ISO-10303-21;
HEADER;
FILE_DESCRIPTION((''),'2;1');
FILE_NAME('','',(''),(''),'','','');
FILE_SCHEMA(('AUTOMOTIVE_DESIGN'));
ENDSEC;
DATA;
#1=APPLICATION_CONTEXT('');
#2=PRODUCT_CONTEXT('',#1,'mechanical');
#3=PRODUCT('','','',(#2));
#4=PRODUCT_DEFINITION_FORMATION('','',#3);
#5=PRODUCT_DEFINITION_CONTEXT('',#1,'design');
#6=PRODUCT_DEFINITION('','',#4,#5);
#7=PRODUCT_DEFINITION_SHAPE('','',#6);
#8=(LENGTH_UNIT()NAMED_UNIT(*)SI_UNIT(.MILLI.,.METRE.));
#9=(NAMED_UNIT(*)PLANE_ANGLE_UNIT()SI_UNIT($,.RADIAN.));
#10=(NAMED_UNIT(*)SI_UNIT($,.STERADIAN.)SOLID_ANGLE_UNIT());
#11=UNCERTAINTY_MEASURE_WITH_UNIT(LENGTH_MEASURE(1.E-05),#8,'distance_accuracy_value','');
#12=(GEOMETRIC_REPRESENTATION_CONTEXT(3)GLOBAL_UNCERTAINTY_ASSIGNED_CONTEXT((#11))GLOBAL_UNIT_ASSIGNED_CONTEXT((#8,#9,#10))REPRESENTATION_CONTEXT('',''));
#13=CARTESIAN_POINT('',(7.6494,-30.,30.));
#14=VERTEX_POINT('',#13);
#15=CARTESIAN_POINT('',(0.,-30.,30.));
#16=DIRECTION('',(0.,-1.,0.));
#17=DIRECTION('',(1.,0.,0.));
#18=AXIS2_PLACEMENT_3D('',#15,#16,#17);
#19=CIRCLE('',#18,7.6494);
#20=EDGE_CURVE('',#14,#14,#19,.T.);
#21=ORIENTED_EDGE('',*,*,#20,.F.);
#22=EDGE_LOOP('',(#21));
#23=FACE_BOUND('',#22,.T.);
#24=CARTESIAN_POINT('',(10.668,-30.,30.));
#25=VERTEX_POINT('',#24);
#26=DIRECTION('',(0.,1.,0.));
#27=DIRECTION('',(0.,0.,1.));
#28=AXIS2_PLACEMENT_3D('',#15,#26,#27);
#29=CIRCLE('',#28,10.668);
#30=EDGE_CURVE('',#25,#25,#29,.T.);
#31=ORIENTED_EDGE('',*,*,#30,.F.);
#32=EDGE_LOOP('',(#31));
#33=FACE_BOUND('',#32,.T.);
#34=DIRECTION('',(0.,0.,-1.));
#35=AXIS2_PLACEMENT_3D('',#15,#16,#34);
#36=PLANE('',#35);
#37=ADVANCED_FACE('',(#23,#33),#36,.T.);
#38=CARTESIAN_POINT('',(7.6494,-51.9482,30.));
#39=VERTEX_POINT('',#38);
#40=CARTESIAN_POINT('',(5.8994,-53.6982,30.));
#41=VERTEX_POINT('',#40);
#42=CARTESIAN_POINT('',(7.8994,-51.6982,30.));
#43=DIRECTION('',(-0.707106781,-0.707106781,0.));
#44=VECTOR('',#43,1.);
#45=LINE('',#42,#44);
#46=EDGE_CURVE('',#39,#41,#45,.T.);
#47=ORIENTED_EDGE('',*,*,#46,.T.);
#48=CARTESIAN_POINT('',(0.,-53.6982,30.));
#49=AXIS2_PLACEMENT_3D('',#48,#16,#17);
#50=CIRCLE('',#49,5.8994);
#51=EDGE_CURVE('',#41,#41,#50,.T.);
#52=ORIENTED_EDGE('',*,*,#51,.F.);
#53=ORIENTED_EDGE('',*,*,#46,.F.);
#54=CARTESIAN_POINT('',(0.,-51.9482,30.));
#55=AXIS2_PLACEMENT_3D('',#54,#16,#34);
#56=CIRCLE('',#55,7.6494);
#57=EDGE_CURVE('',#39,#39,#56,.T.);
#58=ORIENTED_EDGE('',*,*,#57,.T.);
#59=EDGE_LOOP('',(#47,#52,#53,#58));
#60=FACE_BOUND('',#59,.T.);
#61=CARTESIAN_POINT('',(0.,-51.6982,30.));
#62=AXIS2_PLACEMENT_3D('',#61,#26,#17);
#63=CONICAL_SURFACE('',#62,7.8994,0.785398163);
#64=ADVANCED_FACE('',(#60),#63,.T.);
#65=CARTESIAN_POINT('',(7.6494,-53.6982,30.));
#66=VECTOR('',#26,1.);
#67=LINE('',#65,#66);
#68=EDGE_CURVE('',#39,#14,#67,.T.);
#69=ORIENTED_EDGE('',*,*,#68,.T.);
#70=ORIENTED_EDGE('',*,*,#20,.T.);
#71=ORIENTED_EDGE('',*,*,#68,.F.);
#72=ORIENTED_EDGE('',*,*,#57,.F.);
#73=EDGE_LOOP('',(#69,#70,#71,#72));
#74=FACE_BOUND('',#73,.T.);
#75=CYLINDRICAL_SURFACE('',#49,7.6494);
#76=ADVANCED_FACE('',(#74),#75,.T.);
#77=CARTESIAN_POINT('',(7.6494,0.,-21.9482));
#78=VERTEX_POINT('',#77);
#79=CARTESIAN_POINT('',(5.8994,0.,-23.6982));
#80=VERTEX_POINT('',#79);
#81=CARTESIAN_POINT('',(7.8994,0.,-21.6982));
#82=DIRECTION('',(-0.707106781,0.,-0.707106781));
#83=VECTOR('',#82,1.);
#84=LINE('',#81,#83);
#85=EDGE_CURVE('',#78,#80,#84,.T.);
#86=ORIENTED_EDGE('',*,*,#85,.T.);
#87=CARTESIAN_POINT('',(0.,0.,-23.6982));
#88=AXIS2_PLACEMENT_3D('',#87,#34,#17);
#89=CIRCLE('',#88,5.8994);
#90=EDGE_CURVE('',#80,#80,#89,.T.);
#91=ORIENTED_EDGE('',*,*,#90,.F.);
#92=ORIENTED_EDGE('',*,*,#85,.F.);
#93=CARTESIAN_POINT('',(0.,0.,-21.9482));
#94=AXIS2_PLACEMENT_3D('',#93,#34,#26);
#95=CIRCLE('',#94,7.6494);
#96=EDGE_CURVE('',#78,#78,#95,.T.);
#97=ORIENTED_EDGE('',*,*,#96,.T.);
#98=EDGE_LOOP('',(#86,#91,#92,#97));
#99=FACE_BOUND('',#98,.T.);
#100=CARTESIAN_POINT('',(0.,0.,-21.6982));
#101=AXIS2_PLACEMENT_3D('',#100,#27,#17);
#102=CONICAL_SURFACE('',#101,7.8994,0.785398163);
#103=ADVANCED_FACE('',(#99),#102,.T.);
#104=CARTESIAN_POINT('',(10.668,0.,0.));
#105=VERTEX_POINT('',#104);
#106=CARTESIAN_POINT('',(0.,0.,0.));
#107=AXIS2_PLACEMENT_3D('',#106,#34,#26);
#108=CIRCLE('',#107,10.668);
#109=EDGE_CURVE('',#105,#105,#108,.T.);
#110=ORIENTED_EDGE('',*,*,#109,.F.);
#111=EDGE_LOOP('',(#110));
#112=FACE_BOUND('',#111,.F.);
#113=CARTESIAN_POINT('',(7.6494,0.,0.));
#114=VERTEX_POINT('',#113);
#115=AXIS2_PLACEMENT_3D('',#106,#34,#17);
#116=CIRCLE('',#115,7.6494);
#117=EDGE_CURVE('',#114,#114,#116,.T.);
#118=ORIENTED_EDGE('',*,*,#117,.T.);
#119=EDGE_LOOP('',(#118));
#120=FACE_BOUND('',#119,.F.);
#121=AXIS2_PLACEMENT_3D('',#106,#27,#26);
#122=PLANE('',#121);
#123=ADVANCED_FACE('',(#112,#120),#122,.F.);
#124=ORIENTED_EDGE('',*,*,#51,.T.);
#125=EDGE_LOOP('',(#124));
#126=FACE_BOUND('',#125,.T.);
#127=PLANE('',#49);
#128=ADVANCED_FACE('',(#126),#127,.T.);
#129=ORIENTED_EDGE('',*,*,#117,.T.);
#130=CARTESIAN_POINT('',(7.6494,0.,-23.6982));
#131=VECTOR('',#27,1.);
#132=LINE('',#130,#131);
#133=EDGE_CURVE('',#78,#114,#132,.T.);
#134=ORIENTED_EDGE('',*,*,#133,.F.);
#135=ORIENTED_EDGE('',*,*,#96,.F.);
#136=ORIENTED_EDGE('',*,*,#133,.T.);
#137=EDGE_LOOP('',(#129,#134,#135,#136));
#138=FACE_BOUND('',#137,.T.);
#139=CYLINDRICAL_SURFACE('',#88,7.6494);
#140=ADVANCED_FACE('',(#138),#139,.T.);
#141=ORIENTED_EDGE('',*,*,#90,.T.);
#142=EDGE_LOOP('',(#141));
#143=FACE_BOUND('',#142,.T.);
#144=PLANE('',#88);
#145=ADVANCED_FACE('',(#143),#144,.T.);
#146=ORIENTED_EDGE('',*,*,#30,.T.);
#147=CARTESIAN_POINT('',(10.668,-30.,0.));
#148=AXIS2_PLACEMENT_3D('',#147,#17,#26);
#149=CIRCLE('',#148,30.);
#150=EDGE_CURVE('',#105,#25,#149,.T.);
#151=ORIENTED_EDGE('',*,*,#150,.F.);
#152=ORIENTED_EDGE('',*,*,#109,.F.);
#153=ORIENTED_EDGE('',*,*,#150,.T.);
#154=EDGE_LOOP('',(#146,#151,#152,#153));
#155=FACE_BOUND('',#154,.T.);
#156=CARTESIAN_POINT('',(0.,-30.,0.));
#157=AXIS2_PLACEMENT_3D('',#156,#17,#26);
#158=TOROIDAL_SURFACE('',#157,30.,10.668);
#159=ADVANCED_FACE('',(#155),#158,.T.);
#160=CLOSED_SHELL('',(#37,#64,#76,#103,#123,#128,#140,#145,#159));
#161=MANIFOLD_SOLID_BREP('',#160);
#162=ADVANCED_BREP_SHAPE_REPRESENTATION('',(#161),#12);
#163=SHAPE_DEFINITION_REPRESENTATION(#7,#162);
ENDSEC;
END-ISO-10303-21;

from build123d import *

# Parameters (mm, degrees)
F1_R      = 10.668
F3_R      = 7.8994
F4_DEPTH  = 23.6982
F5_R      = 7.8994
F6_DEPTH  = 23.6982
F7_SIZE   = 2
F8_R      = 7.8994
F8_R_2    = 7.6494
F9_DEPTH  = 23.6982
F10_R     = 7.8994
F10_R_2   = 7.6494
F11_DEPTH = 23.6982


with BuildPart() as f2:
    # F2: sweep along a path in F0
    with BuildLine(Plane.YZ) as f2_path:
        ThreePointArc((0, 0), (-8.7867965644, 21.2132034356), (-30, 30))
    # F1 (on Top) → F2 (sweep)
    with BuildSketch(Plane.XY):
        Circle(F1_R)
    sweep(path=f2_path.line)

    # F3 (on face) → F4 (join)
    with BuildSketch(Plane(origin=(0, 0, 0), x_dir=(1, 0, 0), z_dir=(0, 0, -1))):
        Circle(F3_R)
    extrude(amount=F4_DEPTH)

    # F5 (on face) → F6 (join)
    with BuildSketch(Plane.XZ.offset(30)):
        with Locations((0, 30)):
            Circle(F5_R)
    extrude(amount=F6_DEPTH)

    # F7
    f7_edges = [f2.edges().sort_by_distance(p)[0] for p in [
        (-7.8994, 0, -23.6982),
        (-7.8994, -53.6982, 30),
    ]]
    chamfer(f7_edges, length=F7_SIZE)

    # F8 (on face) → F9 (cut, through all)
    with BuildSketch(Plane(origin=(0, 0, -23.6982), x_dir=(1, 0, 0), z_dir=(0, 0, -1))):
        Circle(F8_R)
        Circle(F8_R_2, mode=Mode.SUBTRACT)
    extrude(amount=-F9_DEPTH, mode=Mode.SUBTRACT)

    # F10 (on face) → F11 (cut, through all)
    with BuildSketch(Plane.XZ.offset(53.6982)):
        with Locations((0, 30)):
            Circle(F10_R)
        with Locations((0, 30)):
            Circle(F10_R_2, mode=Mode.SUBTRACT)
    extrude(amount=-F11_DEPTH, mode=Mode.SUBTRACT)


solid = f2.part
